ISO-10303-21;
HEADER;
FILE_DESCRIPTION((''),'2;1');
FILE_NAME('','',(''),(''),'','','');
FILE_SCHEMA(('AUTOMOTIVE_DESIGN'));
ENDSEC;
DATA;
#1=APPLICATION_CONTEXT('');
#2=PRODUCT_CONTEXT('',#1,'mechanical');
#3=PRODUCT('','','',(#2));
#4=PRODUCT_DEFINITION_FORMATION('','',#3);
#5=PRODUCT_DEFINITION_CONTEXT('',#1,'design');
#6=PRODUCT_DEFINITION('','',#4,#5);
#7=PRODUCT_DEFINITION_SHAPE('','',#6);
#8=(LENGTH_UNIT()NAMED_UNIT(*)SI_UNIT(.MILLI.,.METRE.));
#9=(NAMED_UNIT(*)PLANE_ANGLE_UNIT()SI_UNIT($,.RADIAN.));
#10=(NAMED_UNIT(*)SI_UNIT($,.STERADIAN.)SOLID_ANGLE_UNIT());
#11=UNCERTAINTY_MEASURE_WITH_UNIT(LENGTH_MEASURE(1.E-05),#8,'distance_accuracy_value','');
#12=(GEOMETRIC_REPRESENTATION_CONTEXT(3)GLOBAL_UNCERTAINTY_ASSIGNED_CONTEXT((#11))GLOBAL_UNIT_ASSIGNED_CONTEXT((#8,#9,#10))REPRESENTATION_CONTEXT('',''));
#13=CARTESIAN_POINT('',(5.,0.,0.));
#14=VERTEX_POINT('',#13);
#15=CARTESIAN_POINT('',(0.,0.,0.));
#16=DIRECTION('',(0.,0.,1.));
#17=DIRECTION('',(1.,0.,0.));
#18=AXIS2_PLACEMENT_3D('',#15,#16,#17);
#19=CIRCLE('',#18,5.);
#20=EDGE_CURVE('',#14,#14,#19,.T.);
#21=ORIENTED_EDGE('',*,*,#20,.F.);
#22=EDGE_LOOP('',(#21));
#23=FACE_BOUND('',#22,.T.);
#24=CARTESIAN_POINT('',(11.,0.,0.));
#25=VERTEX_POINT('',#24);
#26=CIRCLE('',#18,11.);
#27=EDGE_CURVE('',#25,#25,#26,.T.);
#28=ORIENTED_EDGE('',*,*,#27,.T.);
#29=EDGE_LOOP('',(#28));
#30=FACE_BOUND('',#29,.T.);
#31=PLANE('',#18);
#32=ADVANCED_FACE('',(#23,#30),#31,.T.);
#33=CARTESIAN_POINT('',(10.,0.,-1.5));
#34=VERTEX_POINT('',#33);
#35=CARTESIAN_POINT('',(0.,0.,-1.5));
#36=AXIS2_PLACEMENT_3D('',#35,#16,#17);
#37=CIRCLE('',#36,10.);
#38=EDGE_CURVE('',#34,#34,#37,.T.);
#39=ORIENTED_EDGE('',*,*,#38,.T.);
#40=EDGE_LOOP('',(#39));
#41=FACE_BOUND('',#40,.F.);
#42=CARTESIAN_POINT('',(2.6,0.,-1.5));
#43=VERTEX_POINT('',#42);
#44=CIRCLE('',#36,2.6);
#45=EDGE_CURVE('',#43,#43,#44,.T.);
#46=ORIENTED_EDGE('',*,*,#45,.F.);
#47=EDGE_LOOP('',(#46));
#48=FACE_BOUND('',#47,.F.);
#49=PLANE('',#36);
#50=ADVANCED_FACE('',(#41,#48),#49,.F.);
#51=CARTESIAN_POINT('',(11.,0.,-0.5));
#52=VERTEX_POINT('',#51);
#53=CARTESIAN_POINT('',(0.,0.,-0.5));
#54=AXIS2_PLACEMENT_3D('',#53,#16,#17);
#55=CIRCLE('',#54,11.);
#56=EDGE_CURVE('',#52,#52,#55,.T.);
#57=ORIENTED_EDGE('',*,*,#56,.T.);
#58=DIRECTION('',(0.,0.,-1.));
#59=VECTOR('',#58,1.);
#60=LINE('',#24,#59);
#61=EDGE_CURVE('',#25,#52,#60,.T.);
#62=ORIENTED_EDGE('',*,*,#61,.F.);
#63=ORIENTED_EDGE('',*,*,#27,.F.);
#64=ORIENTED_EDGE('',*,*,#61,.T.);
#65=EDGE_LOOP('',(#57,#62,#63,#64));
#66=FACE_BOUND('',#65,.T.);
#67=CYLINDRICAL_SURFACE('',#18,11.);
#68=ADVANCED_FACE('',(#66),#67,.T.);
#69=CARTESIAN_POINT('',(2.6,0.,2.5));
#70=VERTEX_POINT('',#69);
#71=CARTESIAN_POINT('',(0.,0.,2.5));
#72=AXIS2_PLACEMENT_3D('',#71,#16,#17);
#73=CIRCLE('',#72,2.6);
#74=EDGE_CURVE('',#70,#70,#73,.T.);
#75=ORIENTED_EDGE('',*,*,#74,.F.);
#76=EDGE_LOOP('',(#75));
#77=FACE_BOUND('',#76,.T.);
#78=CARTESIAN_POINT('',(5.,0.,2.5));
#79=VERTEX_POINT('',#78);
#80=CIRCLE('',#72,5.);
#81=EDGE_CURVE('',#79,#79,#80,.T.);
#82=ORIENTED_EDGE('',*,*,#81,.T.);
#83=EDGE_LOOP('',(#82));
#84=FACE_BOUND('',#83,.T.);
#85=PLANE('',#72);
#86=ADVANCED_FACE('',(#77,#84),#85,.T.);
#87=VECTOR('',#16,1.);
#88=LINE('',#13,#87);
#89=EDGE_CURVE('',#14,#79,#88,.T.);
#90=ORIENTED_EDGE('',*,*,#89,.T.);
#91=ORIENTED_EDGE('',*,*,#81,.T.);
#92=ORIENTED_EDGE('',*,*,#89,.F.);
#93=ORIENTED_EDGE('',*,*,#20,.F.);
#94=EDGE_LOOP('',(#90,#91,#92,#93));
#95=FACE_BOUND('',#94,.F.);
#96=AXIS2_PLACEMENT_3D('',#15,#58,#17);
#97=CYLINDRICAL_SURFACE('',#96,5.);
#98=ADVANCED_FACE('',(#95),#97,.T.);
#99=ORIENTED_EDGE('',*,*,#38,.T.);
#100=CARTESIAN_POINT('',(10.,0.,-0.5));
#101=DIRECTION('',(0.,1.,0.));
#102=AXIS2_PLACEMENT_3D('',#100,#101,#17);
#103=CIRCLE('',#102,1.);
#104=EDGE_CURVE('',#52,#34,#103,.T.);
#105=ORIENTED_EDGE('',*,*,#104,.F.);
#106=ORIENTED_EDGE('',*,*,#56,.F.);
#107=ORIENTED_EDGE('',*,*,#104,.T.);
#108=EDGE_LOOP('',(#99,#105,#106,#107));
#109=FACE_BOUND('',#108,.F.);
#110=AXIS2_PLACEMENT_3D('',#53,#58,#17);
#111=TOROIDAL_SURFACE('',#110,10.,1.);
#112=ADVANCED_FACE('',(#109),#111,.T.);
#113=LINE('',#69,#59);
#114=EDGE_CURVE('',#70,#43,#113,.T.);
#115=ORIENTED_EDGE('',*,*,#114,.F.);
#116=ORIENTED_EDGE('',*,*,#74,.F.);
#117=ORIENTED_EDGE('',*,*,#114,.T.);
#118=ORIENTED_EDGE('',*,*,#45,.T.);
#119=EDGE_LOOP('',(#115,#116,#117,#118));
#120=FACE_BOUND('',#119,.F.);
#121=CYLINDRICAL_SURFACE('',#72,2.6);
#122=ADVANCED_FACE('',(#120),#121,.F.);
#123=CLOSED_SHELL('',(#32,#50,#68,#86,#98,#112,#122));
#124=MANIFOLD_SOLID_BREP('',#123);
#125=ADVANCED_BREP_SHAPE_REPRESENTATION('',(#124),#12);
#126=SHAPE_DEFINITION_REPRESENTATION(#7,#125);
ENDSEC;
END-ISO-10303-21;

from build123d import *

# Parameters (mm, degrees)
F0_R     = 11
F1_DEPTH = 1.5
F2_R     = 5
F3_DEPTH = 2.5
F4_R     = 2.6
F5_DEPTH = 4
F6_R     = 1


with BuildPart() as f1:
    # F0 (on Top) → F1 (new body)
    with BuildSketch(Plane.XY):
        Circle(F0_R)
    extrude(amount=-F1_DEPTH)

    # F2 (on face) → F3 (join)
    with BuildSketch(Plane.XY):
        Circle(F2_R)
    extrude(amount=F3_DEPTH)

    # F4 (on face) → F5 (cut)
    with BuildSketch(Plane.XY.offset(2.5)):
        Circle(F4_R)
    extrude(amount=-F5_DEPTH, mode=Mode.SUBTRACT)

    # F6
    f6_edges = [f1.edges().sort_by_distance(p)[0] for p in [
        (-11, 0, -1.5),
    ]]
    fillet(f6_edges, radius=F6_R)


solid = f1.part
